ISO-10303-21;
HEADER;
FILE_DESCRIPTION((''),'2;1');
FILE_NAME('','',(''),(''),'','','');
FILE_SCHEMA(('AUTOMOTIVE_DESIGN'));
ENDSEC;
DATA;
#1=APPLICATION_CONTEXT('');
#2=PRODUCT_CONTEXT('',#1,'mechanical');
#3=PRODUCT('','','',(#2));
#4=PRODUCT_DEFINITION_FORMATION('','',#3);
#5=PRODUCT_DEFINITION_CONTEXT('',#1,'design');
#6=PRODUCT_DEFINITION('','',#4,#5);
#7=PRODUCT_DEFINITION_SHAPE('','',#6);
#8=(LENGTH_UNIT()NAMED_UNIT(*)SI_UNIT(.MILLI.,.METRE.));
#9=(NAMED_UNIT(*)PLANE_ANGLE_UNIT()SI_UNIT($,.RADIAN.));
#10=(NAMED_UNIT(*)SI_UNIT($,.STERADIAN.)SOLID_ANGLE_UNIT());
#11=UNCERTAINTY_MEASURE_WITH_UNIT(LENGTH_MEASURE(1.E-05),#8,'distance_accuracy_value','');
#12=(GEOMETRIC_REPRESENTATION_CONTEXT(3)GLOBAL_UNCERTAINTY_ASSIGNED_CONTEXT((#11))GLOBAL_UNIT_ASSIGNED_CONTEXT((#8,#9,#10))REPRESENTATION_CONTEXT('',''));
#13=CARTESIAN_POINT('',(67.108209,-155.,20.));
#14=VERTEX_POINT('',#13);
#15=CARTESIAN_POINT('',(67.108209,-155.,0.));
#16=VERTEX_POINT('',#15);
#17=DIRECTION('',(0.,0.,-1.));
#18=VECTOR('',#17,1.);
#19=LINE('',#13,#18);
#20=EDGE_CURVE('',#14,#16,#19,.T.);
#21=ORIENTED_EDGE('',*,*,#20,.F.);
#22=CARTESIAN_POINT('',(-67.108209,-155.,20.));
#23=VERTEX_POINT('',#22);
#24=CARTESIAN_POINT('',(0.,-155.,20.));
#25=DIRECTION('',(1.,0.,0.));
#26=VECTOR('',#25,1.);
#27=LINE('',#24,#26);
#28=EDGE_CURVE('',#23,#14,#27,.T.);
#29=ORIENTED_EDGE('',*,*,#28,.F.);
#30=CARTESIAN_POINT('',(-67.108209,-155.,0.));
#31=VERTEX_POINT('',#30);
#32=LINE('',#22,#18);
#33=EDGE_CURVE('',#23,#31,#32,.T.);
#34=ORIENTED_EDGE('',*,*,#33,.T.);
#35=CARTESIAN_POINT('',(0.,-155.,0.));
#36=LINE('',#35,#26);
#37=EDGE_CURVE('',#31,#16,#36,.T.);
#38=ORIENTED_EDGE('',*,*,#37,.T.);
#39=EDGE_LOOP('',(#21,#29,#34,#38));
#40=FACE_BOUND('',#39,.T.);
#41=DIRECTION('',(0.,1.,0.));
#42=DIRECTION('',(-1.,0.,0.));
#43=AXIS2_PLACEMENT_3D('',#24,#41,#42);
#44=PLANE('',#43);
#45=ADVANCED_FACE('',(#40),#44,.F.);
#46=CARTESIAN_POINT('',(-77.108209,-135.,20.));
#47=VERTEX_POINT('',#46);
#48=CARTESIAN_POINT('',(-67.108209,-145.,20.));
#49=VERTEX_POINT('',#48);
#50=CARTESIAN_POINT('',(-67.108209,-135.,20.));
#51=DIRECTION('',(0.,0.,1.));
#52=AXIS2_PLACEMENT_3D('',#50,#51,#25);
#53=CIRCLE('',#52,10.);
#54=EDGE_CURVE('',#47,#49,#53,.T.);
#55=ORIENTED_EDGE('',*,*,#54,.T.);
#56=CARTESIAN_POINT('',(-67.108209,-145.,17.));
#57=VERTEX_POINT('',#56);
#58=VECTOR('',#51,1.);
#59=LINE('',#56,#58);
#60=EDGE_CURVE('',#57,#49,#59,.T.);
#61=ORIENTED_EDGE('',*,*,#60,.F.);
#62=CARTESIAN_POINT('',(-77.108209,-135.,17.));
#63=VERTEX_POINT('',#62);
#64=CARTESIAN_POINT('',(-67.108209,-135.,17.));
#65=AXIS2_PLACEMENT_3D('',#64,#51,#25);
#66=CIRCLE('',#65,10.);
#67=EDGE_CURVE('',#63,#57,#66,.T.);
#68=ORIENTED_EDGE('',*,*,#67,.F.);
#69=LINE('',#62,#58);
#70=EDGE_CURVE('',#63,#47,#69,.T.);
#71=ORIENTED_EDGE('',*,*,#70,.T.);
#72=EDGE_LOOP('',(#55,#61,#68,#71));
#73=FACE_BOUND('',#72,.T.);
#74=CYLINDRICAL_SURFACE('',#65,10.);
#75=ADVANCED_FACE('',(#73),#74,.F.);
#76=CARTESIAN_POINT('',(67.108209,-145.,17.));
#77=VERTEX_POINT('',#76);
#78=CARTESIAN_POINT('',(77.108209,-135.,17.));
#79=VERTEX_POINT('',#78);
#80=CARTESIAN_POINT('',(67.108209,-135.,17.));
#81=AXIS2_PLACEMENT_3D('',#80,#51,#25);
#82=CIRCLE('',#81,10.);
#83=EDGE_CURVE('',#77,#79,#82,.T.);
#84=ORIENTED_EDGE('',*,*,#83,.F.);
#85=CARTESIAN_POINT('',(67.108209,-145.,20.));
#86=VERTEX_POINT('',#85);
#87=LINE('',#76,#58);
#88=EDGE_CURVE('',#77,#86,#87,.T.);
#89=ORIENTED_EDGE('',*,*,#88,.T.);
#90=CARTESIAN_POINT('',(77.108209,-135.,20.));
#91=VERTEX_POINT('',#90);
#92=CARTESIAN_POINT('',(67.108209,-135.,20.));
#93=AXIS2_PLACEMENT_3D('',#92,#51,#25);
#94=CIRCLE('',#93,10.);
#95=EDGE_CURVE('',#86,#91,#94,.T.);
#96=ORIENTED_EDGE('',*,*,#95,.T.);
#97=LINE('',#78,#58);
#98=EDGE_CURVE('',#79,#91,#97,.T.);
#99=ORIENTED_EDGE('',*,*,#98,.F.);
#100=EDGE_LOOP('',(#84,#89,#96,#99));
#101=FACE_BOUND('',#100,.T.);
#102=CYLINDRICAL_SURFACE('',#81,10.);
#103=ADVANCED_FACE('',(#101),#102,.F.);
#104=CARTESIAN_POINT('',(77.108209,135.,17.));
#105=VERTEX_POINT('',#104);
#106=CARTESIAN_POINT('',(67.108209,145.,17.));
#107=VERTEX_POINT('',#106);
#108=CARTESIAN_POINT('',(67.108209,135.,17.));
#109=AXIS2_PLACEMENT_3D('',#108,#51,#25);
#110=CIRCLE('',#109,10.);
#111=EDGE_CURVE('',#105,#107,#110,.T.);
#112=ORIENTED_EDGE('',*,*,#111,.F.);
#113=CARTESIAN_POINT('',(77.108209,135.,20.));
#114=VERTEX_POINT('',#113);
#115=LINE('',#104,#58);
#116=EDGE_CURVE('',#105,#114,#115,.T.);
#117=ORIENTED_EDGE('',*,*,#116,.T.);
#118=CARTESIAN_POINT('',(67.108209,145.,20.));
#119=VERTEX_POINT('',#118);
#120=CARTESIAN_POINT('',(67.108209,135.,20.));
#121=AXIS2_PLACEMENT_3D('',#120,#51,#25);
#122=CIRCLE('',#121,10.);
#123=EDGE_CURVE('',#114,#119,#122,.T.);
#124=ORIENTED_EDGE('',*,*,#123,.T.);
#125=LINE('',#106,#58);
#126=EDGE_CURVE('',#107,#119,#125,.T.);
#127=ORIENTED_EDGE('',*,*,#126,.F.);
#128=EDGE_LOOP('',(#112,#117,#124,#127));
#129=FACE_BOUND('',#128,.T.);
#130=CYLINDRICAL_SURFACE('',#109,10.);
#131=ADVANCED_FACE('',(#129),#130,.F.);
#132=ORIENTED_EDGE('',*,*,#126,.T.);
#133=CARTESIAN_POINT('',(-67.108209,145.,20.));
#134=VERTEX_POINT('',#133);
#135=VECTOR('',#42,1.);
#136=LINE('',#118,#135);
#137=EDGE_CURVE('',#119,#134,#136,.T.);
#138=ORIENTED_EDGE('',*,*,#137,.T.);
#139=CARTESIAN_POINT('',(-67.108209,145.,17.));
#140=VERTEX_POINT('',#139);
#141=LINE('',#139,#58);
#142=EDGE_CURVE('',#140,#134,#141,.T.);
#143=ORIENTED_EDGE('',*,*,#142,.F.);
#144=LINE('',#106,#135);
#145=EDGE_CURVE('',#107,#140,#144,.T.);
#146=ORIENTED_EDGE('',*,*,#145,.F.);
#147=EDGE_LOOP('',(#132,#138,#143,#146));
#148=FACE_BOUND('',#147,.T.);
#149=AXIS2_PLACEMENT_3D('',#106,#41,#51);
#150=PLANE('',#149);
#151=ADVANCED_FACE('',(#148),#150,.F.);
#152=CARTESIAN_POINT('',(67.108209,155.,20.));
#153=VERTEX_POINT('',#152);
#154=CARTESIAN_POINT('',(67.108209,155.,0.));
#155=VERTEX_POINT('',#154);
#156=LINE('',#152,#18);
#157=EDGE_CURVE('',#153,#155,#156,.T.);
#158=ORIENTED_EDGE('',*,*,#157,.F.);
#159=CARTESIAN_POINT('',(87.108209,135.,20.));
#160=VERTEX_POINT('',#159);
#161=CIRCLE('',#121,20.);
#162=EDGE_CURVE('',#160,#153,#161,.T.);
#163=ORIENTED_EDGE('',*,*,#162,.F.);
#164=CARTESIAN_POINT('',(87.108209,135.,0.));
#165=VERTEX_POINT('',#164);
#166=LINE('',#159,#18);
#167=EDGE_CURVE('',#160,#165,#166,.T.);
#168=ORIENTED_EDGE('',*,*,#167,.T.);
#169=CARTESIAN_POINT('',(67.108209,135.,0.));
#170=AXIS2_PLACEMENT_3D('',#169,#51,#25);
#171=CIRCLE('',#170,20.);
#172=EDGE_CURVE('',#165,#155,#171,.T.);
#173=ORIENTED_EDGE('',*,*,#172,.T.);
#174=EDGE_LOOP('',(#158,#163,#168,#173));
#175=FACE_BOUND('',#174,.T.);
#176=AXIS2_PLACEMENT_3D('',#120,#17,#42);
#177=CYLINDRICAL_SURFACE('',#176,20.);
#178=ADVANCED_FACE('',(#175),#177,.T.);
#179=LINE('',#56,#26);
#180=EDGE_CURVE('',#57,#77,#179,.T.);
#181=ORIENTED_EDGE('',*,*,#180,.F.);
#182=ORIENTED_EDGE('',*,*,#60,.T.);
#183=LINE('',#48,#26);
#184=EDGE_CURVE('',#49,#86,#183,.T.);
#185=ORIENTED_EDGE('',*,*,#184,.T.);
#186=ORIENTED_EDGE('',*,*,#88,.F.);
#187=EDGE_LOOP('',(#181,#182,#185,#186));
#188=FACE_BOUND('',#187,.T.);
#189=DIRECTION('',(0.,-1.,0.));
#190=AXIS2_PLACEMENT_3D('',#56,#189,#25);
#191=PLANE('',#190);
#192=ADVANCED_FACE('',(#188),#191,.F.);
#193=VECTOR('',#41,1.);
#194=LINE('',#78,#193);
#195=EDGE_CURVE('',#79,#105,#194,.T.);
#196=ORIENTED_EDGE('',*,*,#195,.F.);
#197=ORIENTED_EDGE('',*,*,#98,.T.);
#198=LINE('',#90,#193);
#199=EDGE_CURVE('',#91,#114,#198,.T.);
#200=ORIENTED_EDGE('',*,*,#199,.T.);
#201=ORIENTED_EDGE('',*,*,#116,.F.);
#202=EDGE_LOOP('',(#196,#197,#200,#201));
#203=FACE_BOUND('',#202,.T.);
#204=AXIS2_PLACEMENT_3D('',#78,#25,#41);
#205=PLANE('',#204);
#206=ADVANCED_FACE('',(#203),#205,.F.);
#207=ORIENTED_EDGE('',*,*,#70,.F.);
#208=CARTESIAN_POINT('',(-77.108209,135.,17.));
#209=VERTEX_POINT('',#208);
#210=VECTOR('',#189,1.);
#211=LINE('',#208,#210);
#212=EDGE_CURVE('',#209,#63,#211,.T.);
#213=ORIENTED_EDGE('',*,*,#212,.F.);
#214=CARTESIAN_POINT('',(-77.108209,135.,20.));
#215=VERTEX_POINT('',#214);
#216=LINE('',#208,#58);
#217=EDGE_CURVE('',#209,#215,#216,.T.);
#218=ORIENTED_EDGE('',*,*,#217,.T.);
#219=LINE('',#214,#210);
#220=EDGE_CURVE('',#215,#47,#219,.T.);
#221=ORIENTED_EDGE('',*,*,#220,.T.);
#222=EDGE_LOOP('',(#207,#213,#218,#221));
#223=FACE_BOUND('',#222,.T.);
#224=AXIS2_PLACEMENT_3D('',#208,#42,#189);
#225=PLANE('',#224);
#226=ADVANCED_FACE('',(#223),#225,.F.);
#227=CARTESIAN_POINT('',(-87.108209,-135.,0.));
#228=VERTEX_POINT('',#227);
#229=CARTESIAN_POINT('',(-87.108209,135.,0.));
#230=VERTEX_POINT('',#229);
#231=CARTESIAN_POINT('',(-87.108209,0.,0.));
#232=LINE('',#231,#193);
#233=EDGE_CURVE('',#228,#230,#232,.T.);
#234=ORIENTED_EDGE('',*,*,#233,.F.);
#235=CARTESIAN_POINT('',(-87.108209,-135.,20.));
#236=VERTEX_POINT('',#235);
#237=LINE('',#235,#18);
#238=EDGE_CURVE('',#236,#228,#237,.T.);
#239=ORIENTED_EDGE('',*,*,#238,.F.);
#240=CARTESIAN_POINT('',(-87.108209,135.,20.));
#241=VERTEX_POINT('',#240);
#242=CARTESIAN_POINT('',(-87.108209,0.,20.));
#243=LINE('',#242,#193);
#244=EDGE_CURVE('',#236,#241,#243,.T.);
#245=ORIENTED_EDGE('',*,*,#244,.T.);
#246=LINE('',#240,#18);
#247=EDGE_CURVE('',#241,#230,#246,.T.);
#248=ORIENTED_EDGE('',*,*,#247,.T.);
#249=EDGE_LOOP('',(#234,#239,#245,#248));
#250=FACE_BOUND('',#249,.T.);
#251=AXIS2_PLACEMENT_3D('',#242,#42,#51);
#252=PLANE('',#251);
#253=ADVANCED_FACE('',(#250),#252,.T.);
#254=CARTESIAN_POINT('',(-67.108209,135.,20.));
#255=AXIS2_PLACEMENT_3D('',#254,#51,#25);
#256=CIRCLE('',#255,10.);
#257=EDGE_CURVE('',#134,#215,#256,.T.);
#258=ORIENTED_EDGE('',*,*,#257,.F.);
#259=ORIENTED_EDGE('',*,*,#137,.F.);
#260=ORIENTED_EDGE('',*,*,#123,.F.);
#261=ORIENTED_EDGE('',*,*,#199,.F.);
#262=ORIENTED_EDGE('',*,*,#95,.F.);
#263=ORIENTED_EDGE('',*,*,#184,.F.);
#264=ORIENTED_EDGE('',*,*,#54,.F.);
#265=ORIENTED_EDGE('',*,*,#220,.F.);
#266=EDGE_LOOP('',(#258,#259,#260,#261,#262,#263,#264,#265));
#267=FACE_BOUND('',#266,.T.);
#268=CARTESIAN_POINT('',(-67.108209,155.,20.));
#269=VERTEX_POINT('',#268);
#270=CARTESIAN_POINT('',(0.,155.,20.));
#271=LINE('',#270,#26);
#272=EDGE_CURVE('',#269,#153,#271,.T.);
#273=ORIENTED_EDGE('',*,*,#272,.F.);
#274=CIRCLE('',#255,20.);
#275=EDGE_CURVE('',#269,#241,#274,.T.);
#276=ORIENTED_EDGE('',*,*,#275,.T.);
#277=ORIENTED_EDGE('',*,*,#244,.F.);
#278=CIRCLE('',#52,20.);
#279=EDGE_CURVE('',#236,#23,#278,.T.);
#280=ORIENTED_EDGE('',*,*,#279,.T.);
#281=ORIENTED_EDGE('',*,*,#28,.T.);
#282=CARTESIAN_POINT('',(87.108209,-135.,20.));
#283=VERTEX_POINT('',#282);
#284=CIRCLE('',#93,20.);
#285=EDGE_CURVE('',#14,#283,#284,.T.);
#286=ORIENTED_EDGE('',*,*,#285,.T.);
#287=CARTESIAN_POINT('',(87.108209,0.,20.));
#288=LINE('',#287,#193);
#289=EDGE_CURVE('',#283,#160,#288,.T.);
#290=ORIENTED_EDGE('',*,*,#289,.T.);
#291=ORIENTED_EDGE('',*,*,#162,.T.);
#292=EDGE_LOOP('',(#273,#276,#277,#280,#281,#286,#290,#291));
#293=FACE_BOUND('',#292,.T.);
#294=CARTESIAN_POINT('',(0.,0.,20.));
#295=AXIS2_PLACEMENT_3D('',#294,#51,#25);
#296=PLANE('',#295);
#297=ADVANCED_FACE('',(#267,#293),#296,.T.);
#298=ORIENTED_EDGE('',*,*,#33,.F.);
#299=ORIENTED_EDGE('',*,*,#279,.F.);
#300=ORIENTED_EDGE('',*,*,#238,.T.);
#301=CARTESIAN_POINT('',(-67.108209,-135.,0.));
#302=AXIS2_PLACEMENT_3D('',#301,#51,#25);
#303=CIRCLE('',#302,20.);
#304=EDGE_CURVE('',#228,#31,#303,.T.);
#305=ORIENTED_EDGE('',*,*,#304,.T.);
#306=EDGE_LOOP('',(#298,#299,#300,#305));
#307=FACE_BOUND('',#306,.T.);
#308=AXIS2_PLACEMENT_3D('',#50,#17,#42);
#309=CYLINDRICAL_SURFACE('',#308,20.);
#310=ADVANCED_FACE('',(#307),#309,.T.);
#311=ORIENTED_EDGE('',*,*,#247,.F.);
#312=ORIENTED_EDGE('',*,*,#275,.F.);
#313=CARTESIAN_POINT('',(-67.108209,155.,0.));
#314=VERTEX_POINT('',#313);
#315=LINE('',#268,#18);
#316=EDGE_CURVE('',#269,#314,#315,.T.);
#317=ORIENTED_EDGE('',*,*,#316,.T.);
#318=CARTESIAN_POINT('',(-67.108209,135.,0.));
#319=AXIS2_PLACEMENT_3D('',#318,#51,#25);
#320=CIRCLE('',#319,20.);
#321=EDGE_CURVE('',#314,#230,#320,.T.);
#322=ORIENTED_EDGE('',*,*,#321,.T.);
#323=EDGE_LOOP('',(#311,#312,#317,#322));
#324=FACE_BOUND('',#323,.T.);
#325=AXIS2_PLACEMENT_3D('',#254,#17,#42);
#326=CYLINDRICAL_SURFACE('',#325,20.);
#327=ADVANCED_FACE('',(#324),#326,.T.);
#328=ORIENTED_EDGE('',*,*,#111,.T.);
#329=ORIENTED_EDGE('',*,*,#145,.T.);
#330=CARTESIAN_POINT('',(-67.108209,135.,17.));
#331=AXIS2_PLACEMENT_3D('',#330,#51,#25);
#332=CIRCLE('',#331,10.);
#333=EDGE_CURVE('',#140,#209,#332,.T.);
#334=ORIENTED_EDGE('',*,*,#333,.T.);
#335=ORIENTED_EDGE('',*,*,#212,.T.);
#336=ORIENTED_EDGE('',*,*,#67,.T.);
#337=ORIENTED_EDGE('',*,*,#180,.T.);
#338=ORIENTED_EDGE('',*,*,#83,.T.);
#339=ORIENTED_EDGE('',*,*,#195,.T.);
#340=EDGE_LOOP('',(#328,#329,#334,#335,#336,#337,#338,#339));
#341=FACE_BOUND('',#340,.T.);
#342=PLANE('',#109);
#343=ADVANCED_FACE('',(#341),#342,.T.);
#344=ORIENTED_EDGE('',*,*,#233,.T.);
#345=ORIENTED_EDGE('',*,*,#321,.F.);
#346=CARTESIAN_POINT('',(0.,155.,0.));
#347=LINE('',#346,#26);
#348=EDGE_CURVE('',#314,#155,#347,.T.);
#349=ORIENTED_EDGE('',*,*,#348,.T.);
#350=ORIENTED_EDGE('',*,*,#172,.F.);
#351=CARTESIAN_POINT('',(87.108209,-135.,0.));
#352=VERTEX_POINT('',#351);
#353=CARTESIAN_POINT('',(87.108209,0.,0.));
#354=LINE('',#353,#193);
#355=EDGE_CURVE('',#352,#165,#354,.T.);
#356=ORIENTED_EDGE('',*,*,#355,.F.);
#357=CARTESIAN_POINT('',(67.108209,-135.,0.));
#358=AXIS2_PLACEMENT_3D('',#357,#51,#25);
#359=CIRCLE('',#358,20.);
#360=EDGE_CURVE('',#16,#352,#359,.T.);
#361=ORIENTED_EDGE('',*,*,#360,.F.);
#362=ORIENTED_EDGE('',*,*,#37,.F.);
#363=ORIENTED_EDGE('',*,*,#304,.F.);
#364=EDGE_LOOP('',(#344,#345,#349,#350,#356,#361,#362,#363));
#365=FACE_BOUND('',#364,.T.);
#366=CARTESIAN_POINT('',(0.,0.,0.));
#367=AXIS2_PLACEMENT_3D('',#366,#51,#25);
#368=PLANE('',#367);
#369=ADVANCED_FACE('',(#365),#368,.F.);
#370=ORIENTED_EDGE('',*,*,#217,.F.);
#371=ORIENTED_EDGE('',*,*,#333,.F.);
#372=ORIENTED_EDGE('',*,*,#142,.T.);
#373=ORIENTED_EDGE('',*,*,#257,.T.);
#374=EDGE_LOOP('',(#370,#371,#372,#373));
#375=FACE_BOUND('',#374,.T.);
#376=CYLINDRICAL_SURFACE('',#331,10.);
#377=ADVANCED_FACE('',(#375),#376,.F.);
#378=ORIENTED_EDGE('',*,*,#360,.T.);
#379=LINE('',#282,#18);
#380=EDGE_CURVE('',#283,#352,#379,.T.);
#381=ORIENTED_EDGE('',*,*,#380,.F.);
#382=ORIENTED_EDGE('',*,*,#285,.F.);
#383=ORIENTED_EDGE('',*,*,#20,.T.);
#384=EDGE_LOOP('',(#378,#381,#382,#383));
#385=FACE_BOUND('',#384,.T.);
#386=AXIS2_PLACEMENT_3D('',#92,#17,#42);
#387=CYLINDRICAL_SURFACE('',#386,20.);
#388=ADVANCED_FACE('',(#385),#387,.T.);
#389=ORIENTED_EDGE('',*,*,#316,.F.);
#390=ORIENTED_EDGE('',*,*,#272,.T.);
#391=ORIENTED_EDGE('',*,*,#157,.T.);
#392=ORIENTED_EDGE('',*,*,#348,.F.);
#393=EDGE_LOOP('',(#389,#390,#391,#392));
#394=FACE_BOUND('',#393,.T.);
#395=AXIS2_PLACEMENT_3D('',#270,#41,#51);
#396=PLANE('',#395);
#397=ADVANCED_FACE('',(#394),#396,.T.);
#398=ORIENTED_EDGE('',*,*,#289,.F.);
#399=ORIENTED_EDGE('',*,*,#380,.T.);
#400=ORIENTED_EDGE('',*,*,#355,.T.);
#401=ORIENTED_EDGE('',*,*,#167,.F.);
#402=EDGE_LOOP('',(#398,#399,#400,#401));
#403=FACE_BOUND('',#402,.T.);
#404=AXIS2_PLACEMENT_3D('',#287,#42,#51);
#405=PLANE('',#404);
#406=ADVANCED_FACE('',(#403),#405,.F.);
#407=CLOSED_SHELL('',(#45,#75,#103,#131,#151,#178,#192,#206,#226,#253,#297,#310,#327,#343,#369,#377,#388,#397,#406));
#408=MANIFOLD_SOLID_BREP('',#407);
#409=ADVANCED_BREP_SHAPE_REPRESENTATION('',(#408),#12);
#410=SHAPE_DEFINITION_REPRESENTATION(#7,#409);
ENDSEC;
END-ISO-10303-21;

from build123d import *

# Parameters (mm, degrees)
BOSS_EXTRU_1_DEPTH      = 20
ENL_V_MAT_EXTRU_1_DEPTH = 3


with BuildPart() as part:
    # Esquisse1 → Boss.-Extru.1 (new body)
    with BuildSketch(Plane.XY):
        with BuildLine():
            Line((-67.108208568, 155), (67.108208568, 155))
            ThreePointArc((67.108208568, 155), (81.250344192, 149.142135624), (87.108208568, 135))
            Line((87.108208568, 135), (87.108208568, -135))
            ThreePointArc((87.108208568, -135), (81.250344192, -149.142135624), (67.108208568, -155))
            Line((67.108208568, -155), (-67.108208568, -155))
            ThreePointArc((-67.108208568, -155), (-81.250344192, -149.142135624), (-87.108208568, -135))
            Line((-87.108208568, -135), (-87.108208568, 135))
            ThreePointArc((-87.108208568, 135), (-81.250344192, 149.142135624), (-67.108208568, 155))
        make_face()
    extrude(amount=BOSS_EXTRU_1_DEPTH)

    # Esquisse2 → Enlèv. mat.-Extru.1 (cut)
    with BuildSketch(Plane.XY.offset(20)):
        with BuildLine():
            Line((67.108208568, 145), (-67.108208568, 145))
            ThreePointArc((-67.108208568, 145), (-74.17927638, 142.071067812), (-77.108208568, 135))
            Line((-77.108208568, 135), (-77.108208568, -135))
            ThreePointArc((-77.108208568, -135), (-74.17927638, -142.071067812), (-67.108208568, -145))
            Line((-67.108208568, -145), (67.108208568, -145))
            ThreePointArc((67.108208568, -145), (74.17927638, -142.071067812), (77.108208568, -135))
            Line((77.108208568, -135), (77.108208568, 135))
            ThreePointArc((77.108208568, 135), (74.17927638, 142.071067812), (67.108208568, 145))
        make_face()
    extrude(amount=-ENL_V_MAT_EXTRU_1_DEPTH, mode=Mode.SUBTRACT)


solid = part.part
